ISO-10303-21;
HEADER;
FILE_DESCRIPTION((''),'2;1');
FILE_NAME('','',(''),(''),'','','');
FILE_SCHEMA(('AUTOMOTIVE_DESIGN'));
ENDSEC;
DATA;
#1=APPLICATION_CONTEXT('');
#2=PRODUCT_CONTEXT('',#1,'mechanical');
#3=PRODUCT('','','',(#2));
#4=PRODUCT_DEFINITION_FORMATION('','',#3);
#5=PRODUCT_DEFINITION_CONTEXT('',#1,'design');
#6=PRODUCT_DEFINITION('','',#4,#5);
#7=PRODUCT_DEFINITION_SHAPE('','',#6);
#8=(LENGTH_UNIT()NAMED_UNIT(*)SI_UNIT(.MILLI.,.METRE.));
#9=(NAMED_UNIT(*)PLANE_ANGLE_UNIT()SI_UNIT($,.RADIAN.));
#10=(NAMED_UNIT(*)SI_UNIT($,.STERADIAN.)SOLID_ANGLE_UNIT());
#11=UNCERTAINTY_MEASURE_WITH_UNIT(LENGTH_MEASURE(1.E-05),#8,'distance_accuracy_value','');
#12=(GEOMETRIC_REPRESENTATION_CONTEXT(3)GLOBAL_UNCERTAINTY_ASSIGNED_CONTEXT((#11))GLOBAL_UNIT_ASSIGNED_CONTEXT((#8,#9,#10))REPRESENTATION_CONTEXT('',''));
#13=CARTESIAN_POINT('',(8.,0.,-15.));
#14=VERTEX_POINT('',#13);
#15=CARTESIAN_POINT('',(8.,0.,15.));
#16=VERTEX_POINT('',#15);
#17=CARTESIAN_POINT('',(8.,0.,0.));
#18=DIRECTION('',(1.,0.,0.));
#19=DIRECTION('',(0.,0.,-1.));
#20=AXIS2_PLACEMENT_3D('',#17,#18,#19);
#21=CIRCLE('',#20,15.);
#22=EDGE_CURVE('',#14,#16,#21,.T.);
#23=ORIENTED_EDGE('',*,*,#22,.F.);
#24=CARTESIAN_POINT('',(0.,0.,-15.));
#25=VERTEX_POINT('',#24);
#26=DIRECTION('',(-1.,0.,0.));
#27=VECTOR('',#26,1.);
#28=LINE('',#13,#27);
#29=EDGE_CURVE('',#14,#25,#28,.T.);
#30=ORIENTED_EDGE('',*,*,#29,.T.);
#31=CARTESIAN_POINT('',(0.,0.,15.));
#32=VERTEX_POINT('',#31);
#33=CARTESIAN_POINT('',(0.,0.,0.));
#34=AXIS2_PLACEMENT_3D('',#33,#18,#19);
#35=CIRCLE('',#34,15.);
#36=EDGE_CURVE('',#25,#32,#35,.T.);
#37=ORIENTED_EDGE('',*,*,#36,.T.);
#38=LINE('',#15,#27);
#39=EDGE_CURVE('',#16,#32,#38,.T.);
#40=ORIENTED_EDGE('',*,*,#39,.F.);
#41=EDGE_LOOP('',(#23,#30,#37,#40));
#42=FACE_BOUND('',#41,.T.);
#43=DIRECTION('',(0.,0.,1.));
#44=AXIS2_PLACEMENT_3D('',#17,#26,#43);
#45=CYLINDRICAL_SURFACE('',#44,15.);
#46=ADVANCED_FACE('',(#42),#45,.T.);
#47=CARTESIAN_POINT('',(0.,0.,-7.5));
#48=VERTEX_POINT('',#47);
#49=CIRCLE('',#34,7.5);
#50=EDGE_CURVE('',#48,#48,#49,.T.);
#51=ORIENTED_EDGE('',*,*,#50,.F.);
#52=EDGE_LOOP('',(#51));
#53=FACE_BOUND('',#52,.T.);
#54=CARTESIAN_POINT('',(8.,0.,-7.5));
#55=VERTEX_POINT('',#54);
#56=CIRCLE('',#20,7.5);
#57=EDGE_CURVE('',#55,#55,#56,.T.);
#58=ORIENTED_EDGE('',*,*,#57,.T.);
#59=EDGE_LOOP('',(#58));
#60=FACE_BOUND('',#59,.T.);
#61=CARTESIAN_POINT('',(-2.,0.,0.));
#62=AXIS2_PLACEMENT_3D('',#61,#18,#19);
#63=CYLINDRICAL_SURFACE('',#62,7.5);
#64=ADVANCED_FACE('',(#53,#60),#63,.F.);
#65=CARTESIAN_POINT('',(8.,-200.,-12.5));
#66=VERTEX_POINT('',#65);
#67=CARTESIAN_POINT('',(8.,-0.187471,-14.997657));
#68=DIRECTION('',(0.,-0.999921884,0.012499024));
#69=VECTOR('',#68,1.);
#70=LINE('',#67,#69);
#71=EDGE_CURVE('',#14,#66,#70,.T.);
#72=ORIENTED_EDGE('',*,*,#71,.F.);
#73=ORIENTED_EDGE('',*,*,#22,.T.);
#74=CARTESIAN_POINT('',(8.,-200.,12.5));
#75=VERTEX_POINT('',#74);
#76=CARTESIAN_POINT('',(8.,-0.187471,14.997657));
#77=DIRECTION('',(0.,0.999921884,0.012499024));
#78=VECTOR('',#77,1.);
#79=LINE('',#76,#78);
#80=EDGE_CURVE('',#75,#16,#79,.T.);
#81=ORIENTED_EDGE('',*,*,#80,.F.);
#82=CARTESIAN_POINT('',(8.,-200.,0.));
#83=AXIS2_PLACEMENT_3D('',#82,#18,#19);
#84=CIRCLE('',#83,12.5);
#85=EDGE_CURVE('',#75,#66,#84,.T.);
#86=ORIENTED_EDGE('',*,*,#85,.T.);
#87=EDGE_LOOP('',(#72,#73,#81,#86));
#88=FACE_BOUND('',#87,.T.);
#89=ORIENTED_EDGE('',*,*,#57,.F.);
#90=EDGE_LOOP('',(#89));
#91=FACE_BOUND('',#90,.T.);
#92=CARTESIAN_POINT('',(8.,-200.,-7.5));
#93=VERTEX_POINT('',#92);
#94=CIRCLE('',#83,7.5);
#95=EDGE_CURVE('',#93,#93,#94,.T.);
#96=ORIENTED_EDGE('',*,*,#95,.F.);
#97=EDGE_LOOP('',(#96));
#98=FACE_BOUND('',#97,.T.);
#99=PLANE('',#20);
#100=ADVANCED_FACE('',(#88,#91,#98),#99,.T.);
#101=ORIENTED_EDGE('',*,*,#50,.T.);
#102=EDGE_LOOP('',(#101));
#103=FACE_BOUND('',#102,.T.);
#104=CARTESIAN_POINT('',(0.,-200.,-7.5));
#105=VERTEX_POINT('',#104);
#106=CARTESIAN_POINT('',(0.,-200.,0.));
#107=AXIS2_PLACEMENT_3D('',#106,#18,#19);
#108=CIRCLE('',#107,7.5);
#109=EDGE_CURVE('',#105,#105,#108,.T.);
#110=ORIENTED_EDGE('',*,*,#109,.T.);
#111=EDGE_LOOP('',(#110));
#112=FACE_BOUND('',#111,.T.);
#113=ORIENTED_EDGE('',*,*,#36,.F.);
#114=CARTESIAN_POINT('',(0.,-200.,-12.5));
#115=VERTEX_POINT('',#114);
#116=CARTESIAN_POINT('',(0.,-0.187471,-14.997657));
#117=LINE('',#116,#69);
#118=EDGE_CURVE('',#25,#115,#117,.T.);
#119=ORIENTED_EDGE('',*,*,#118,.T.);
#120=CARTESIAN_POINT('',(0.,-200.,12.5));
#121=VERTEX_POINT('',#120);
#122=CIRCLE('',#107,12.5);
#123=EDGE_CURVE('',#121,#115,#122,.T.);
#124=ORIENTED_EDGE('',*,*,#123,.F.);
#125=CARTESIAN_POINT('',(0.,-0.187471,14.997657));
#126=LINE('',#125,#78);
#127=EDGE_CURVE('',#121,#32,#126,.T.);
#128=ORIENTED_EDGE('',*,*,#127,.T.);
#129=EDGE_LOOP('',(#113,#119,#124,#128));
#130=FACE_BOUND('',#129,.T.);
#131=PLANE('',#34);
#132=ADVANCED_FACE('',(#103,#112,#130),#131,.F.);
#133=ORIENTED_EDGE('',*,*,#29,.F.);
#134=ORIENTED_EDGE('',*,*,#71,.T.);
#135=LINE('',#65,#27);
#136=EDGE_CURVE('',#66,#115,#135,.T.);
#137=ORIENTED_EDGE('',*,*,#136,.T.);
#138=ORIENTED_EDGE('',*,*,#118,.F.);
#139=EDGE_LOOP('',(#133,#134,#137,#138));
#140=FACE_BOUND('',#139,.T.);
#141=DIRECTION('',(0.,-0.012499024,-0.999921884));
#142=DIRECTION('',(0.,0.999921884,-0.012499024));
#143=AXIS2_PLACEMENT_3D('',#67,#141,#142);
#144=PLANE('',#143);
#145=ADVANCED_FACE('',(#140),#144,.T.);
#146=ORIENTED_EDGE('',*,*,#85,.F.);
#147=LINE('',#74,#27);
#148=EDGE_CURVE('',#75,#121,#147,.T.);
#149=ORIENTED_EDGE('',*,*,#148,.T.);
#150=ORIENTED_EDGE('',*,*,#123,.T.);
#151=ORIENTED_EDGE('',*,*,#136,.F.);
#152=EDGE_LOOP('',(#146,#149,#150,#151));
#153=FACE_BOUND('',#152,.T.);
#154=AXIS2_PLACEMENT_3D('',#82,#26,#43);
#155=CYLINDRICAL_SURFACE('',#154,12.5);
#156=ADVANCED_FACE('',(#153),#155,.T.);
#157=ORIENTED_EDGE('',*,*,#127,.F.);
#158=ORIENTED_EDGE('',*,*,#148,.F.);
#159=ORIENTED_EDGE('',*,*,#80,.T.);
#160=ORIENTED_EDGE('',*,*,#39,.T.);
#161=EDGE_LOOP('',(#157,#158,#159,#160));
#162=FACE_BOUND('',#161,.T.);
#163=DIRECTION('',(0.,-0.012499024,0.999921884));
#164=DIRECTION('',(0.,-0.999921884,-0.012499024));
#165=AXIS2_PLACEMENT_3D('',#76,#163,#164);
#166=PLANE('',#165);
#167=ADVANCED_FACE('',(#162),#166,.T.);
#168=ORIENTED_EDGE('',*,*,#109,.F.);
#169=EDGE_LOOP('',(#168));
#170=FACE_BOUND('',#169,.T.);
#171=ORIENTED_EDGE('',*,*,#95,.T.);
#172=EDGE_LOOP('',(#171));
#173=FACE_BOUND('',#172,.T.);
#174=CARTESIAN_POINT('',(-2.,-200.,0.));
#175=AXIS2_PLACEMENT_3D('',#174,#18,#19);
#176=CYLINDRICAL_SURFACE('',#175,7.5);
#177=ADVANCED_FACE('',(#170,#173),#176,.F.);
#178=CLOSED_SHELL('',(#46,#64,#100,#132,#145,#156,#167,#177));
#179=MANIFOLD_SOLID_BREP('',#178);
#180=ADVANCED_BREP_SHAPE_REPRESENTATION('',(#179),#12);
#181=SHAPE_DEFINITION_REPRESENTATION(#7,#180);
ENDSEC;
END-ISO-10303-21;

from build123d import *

# Parameters (mm, degrees)
EXTRUDE_1_DEPTH     = 8
SKETCH_2_R          = 7.5
CUT_EXTRUDE_1_DEPTH = 10


with BuildPart() as part:
    # 草图1 → 凸台-拉伸1 (new body)
    with BuildSketch(Plane(origin=(0, 0, 0), x_dir=(0, 0, -1), z_dir=(1, 0, 0))):
        with BuildLine():
            ThreePointArc((15, 0), (0, 15), (-15, 0))
            Line((-15, 0), (-12.5, -200))
            ThreePointArc((-12.5, -200), (0, -212.5), (12.5, -200))
            Line((12.5, -200), (15, 0))
        make_face()
    extrude(amount=EXTRUDE_1_DEPTH)

    # 草图2 → 切除-拉伸1 (cut)
    with BuildSketch(Plane(origin=(8, 0, 0), x_dir=(0, 0, -1), z_dir=(1, 0, 0))):
        Circle(SKETCH_2_R)
        with Locations((0, -200)):
            Circle(SKETCH_2_R)
    extrude(amount=-CUT_EXTRUDE_1_DEPTH, mode=Mode.SUBTRACT)


solid = part.part
